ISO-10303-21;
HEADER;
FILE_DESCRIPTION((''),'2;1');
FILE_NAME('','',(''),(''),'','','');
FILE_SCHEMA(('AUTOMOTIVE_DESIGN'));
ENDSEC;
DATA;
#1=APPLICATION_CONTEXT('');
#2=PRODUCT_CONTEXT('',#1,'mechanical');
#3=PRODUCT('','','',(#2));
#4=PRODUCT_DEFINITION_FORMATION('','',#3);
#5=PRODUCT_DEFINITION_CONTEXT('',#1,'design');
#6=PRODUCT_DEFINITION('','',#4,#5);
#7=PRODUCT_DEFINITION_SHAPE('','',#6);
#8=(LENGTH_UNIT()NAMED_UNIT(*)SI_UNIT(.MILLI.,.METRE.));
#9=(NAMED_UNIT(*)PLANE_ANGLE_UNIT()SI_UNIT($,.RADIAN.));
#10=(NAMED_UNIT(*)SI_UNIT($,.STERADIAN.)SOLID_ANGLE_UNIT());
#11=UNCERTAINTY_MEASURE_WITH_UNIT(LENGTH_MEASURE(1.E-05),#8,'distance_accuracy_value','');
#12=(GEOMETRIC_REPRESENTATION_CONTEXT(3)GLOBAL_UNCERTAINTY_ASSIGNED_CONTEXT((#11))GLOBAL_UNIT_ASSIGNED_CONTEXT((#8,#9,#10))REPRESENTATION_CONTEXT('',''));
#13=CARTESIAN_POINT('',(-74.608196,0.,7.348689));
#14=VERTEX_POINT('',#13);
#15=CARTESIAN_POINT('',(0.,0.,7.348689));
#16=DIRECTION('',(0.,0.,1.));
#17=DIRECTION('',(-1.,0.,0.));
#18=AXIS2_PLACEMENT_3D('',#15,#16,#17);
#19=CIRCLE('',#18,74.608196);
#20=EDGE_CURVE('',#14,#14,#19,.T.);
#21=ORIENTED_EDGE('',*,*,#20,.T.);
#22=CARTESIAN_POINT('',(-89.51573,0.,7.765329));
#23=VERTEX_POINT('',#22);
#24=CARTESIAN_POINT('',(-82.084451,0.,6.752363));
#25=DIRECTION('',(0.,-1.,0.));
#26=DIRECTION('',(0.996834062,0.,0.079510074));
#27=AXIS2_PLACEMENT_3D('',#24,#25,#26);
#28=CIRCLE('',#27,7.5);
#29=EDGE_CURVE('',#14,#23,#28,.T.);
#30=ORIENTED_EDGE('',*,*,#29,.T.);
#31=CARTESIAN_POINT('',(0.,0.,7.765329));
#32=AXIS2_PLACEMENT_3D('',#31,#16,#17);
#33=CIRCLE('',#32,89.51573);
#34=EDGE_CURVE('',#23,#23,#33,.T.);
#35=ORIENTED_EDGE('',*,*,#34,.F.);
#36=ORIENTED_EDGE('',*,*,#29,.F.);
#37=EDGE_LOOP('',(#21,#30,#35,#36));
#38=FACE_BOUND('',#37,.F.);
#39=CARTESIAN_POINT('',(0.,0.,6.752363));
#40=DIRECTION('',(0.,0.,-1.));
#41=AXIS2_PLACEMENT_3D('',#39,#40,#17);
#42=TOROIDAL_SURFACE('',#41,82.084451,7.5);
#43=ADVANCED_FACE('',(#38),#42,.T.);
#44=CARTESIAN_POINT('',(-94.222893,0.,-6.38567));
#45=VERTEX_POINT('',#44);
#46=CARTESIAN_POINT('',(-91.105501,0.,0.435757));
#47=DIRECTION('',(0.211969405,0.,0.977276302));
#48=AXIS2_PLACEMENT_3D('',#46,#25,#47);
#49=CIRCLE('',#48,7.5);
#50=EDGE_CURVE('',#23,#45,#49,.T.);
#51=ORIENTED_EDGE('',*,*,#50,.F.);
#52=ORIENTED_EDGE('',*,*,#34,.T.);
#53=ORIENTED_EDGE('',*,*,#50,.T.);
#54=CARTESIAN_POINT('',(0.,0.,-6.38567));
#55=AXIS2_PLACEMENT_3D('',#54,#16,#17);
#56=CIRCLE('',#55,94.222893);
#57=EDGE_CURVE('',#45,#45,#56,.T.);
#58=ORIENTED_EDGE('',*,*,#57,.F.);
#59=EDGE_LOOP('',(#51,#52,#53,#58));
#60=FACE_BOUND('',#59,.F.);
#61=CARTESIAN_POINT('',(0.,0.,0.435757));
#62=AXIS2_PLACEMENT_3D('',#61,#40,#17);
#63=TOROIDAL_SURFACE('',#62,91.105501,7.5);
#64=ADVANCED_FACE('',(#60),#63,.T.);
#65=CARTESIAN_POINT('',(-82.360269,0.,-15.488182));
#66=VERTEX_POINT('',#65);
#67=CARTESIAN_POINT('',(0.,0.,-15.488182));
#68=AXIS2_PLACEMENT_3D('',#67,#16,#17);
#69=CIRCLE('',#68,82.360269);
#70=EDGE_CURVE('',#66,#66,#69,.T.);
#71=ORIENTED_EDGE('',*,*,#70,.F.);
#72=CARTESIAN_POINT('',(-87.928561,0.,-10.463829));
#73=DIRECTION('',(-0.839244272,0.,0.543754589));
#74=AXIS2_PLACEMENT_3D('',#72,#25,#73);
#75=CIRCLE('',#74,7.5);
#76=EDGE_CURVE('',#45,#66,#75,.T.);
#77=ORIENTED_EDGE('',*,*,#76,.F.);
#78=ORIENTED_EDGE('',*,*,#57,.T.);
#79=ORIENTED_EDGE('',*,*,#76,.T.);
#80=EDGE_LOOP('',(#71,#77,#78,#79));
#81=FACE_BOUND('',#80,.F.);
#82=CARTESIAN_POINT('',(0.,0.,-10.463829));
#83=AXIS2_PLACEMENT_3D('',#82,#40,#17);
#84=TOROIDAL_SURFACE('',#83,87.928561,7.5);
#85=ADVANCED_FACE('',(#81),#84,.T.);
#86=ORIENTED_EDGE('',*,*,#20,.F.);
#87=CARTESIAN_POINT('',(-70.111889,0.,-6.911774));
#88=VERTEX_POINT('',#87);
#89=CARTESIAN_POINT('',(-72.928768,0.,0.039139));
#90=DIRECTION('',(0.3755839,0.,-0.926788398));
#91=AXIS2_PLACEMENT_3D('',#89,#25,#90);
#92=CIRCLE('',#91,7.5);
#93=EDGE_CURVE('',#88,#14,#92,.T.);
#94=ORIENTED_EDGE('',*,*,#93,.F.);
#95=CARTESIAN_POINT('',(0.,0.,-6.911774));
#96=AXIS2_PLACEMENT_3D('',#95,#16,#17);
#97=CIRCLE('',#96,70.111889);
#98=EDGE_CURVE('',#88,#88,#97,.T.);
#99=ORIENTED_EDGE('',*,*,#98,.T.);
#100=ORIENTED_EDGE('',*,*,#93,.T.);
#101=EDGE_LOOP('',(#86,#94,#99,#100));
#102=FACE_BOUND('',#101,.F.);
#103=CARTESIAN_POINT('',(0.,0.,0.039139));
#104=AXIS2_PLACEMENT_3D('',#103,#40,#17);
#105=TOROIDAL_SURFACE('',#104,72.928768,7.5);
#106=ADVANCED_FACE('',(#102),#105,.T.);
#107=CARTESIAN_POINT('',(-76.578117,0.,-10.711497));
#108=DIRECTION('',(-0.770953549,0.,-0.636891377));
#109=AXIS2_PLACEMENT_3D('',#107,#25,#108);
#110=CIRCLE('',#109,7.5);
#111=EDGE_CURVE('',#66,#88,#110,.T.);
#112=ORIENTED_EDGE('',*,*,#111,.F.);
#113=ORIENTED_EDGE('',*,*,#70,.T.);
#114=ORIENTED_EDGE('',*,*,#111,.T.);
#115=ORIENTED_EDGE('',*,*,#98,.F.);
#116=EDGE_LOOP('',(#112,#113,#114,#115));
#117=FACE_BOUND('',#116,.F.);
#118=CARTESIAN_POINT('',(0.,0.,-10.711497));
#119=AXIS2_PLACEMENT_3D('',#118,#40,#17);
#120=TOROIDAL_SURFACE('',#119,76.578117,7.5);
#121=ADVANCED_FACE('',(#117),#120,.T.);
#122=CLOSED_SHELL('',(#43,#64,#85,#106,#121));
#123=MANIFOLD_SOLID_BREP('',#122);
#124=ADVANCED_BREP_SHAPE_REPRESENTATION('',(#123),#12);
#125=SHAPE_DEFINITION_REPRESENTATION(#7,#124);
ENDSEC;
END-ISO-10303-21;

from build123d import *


with BuildPart() as f1:
    # F0 (on Front) → F1 (revolve)
    with BuildSketch(Plane.XZ):
        with BuildLine():
            ThreePointArc((-82.360269, -15.488182), (-72.276294, -16.855137), (-70.111889, -6.911774))
            ThreePointArc((-70.111889, -6.911774), (-65.775891, 2.294432), (-74.608196, 7.348689))
            ThreePointArc((-74.608196, 7.348689), (-81.874921, 14.249436), (-89.51573, 7.765329))
            ThreePointArc((-89.51573, 7.765329), (-98.222108, 2.803012), (-94.222893, -6.38567))
            ThreePointArc((-94.222893, -6.38567), (-92.494272, -16.413979), (-82.360269, -15.488182))
        make_face()
    revolve(axis=Axis((0, 0, 7.814411), (0, 0, 1)))


solid = f1.part
